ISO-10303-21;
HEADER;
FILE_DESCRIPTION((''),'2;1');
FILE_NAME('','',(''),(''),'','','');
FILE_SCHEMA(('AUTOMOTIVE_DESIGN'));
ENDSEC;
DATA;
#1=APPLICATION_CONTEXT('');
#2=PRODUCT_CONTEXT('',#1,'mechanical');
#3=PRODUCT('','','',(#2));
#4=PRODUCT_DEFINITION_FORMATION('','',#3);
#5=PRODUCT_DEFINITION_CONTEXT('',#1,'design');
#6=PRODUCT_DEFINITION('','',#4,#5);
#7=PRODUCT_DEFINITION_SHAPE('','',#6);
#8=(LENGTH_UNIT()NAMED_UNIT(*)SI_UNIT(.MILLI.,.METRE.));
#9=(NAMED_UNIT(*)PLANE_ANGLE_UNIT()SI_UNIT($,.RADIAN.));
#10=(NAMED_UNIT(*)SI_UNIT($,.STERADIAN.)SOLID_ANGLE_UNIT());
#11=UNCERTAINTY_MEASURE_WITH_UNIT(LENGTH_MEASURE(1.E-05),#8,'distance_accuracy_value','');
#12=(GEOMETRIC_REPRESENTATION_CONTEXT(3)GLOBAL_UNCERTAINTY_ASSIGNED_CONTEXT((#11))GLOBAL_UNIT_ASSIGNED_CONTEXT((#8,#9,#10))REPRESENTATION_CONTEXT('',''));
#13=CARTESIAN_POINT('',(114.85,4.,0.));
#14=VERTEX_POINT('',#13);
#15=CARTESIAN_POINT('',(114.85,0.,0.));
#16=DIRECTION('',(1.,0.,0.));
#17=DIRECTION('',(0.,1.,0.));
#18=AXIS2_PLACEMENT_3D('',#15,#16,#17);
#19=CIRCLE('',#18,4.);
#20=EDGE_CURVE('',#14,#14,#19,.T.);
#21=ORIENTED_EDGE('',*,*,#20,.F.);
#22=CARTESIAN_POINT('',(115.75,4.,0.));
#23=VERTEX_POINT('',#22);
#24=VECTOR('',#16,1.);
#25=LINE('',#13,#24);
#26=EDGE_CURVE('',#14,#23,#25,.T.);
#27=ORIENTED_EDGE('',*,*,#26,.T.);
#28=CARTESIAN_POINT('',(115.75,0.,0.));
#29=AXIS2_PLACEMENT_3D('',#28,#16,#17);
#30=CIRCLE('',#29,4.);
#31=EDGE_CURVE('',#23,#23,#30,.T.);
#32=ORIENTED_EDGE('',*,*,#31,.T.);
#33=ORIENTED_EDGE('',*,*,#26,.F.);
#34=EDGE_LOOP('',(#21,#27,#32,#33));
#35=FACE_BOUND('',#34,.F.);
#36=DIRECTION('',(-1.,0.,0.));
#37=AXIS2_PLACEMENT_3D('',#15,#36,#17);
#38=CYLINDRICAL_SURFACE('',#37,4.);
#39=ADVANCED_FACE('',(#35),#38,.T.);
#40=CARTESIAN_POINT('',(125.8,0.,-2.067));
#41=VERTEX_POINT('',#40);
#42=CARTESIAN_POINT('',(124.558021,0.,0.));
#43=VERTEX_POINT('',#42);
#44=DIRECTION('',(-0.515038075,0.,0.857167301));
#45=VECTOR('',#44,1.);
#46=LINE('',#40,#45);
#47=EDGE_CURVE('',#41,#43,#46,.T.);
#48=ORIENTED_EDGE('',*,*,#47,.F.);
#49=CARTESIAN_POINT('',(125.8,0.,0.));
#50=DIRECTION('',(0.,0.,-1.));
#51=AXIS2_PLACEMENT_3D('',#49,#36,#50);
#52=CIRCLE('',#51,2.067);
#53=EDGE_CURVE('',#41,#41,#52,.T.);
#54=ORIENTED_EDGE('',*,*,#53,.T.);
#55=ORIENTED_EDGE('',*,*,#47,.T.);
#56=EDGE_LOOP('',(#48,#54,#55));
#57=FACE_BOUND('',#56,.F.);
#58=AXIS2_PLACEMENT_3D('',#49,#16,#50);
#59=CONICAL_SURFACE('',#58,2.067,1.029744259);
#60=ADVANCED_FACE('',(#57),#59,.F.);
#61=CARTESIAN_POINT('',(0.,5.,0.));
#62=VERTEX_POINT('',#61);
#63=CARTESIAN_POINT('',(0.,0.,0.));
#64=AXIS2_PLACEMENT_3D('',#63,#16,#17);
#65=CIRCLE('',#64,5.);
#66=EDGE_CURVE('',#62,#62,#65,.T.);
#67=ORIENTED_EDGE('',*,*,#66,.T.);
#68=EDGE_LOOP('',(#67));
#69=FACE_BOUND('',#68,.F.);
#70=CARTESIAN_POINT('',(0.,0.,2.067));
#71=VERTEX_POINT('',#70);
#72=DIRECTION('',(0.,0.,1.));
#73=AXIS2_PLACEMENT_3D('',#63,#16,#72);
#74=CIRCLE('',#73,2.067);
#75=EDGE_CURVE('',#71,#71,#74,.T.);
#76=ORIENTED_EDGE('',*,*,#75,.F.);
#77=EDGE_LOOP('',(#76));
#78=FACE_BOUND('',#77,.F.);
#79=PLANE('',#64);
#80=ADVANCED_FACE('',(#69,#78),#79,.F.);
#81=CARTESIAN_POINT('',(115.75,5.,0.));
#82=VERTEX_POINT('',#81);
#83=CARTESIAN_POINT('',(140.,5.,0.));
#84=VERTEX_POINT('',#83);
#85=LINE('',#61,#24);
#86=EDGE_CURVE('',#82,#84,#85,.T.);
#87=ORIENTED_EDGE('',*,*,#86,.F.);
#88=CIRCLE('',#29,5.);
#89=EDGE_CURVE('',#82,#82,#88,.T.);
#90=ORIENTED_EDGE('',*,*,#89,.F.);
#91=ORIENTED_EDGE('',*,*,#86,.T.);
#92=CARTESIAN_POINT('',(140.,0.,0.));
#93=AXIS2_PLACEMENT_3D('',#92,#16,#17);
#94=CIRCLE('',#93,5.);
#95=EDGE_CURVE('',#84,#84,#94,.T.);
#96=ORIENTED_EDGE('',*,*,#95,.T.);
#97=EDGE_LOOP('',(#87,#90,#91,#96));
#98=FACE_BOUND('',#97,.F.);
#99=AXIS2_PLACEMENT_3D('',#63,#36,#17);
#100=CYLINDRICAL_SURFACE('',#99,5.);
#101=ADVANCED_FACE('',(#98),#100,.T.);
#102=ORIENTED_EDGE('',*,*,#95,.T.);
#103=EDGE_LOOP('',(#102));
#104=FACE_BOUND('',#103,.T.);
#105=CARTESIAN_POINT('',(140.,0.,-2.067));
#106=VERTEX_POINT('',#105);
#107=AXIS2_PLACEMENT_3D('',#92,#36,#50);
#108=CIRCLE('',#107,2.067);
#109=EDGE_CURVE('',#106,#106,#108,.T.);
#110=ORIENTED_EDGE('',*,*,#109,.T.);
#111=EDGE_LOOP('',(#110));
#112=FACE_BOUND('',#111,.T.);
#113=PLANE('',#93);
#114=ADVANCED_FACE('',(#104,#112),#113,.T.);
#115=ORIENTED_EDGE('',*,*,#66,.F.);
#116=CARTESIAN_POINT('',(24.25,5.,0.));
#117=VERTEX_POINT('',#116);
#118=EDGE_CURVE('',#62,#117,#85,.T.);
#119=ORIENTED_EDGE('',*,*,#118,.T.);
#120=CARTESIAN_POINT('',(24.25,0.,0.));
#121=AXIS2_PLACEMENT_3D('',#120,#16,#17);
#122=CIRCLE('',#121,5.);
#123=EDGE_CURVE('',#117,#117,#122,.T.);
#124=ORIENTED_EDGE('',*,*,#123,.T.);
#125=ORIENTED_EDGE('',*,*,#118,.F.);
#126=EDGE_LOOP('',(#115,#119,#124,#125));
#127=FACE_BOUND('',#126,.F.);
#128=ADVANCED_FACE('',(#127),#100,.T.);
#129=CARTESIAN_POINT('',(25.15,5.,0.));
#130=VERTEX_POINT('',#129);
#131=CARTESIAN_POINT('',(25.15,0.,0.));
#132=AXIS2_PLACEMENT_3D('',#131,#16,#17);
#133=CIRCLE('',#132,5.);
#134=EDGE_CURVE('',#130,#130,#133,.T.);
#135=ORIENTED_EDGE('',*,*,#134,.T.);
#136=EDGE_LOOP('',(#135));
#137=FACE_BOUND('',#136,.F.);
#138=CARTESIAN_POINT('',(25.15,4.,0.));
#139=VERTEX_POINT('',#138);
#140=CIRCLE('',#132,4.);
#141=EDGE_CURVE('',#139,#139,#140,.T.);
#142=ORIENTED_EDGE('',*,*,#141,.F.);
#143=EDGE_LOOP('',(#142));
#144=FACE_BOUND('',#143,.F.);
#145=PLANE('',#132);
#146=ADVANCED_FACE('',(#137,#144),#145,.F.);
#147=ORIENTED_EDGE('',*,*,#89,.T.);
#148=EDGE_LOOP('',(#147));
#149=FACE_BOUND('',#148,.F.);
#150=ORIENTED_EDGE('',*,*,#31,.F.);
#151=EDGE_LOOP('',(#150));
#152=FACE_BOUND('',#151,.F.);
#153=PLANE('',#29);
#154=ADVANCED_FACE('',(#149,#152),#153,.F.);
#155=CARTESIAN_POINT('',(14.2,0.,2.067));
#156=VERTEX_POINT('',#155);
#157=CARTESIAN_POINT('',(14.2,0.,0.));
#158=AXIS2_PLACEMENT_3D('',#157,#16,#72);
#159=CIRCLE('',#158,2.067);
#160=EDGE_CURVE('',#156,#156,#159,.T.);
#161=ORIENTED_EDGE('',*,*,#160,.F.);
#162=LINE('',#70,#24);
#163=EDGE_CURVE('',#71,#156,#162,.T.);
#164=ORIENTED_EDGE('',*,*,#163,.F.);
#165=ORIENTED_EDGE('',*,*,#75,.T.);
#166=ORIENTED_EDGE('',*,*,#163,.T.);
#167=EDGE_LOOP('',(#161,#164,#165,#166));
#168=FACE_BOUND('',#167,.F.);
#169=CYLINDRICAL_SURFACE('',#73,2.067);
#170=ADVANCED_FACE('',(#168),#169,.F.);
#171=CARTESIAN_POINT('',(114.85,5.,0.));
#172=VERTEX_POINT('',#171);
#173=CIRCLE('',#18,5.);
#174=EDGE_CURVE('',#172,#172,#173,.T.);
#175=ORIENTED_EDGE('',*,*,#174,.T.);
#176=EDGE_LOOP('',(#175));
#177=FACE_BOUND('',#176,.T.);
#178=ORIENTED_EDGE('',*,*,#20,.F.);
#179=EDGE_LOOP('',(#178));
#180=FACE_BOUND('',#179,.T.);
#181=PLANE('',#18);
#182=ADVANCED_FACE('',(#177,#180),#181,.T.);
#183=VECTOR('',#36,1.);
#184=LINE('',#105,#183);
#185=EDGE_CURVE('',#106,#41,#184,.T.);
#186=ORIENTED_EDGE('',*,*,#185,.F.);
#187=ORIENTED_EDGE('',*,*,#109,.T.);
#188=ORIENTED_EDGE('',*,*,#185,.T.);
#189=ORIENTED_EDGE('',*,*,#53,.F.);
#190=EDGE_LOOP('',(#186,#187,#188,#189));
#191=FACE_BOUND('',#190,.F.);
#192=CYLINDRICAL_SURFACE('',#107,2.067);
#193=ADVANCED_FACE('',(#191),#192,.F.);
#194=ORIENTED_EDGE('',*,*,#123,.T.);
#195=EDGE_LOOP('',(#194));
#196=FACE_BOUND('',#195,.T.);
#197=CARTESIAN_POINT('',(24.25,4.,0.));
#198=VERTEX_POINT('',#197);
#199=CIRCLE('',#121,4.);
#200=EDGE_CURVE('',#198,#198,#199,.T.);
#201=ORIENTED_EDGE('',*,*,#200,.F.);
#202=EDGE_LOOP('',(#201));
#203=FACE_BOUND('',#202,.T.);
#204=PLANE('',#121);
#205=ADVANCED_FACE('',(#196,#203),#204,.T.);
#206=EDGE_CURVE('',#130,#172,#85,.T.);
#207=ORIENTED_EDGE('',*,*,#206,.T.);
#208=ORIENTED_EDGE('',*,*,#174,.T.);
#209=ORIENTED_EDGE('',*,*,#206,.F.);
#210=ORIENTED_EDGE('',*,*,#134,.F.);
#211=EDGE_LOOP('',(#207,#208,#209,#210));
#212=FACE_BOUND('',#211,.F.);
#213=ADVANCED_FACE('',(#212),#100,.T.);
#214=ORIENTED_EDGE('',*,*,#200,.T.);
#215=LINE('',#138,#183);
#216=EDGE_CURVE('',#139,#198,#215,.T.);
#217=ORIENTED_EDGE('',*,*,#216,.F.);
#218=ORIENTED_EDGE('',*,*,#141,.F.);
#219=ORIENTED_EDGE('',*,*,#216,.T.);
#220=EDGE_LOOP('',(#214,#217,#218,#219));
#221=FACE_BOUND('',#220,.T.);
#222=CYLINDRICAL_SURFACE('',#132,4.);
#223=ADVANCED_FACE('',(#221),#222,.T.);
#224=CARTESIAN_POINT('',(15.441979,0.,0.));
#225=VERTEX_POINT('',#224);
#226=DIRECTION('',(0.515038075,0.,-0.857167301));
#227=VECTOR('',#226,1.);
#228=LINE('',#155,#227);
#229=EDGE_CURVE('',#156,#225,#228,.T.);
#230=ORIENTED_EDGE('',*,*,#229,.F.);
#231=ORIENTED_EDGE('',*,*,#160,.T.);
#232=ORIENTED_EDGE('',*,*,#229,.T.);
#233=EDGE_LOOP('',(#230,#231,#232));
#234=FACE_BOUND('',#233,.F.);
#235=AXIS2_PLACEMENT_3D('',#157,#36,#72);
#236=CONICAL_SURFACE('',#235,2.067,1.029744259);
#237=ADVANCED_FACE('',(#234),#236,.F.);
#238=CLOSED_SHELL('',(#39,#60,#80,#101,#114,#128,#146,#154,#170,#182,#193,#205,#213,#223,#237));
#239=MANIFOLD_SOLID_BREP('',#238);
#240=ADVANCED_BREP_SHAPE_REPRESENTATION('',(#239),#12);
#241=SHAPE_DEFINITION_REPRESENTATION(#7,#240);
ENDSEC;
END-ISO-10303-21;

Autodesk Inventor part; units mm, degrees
ref_plane "YZ Plane" through (0, 0, 0) normal (1, 0, 0) x (0, 1, 0)
sketch "Skizze1" plane through (0, 0, 0) normal (1, 0, 0) x (0, 1, 0)
  circle A0 centre (0, 0) radius 5
  dimension "d0" = 10
extrude "Extrusion1" add sketch "Skizze1" along normal blind 140
sketch "Skizze2" plane through (0, 0, 0) normal (-1, 0, 0) x (0, 0, 1)
  point P0 (0, 0)
  point P1 (0, 0)
hole "Bohrung1" at (0, 0, 0) direction (1, 0, 0) diameter 4.134 depth 14.2 tip angle 118 thread size "M5x0.8" class "6H" standard "ISO Metric profile"
sketch "Skizze3" plane through (140, 0, 0) normal (1, 0, 0) x (0, 0, -1)
  point P0 (0, 0)
  point P1 (0, 0)
hole "Bohrung2" at (140, 0, 0) direction (-1, 0, 0) diameter 4.134 depth 14.2 tip angle 118 thread size "M5x0.8" class "6H" standard "ISO Metric profile"
sketch "Skizze4" plane through (0, 0, 0) normal (0, 1, 0) x (-1, 0, 0)
  line L0 (0, 0) -> (-70, 0)
  line L1 (-70, 0) -> (-140, 0)
  line L2 (-140, -2.067) -> (-140, 2.067) projected
  line L3 (-70, 0) -> (-114.85, 0)
  line L4 (-70, 0) -> (-25.15, 0)
  dimension "d17" = 70
  dimension "d18" = 70
  dimension "d19" = 44.85
  dimension "d23" = 44.85
ref_plane "Arbeitsebene1" through (114.85, 0, 0) normal (1, 0, 0) x (0, 1, 0)
sketch "Skizze5" plane through (114.85, 0, 0) normal (1, 0, 0) x (0, 1, 0)
  circle A0 centre (0, 0) radius 5
  circle A1 centre (0, 0) radius 4
  dimension "d20" = 8
extrude "Extrusion2" cut sketch "Skizze5" along normal blind 0.9
ref_plane "Arbeitsebene2" through (25.15, 0, 0) normal (1, 0, 0) x (0, 1, 0)
sketch "Skizze6" plane through (25.15, 0, 0) normal (1, 0, 0) x (0, 1, 0)
  circle A0 centre (0, 0) radius 5
  circle A1 centre (0, 0) radius 4
  dimension "d24" = 8
extrude "Extrusion3" cut sketch "Skizze6" against normal blind 0.9
properties part number "Auspressrolle"
